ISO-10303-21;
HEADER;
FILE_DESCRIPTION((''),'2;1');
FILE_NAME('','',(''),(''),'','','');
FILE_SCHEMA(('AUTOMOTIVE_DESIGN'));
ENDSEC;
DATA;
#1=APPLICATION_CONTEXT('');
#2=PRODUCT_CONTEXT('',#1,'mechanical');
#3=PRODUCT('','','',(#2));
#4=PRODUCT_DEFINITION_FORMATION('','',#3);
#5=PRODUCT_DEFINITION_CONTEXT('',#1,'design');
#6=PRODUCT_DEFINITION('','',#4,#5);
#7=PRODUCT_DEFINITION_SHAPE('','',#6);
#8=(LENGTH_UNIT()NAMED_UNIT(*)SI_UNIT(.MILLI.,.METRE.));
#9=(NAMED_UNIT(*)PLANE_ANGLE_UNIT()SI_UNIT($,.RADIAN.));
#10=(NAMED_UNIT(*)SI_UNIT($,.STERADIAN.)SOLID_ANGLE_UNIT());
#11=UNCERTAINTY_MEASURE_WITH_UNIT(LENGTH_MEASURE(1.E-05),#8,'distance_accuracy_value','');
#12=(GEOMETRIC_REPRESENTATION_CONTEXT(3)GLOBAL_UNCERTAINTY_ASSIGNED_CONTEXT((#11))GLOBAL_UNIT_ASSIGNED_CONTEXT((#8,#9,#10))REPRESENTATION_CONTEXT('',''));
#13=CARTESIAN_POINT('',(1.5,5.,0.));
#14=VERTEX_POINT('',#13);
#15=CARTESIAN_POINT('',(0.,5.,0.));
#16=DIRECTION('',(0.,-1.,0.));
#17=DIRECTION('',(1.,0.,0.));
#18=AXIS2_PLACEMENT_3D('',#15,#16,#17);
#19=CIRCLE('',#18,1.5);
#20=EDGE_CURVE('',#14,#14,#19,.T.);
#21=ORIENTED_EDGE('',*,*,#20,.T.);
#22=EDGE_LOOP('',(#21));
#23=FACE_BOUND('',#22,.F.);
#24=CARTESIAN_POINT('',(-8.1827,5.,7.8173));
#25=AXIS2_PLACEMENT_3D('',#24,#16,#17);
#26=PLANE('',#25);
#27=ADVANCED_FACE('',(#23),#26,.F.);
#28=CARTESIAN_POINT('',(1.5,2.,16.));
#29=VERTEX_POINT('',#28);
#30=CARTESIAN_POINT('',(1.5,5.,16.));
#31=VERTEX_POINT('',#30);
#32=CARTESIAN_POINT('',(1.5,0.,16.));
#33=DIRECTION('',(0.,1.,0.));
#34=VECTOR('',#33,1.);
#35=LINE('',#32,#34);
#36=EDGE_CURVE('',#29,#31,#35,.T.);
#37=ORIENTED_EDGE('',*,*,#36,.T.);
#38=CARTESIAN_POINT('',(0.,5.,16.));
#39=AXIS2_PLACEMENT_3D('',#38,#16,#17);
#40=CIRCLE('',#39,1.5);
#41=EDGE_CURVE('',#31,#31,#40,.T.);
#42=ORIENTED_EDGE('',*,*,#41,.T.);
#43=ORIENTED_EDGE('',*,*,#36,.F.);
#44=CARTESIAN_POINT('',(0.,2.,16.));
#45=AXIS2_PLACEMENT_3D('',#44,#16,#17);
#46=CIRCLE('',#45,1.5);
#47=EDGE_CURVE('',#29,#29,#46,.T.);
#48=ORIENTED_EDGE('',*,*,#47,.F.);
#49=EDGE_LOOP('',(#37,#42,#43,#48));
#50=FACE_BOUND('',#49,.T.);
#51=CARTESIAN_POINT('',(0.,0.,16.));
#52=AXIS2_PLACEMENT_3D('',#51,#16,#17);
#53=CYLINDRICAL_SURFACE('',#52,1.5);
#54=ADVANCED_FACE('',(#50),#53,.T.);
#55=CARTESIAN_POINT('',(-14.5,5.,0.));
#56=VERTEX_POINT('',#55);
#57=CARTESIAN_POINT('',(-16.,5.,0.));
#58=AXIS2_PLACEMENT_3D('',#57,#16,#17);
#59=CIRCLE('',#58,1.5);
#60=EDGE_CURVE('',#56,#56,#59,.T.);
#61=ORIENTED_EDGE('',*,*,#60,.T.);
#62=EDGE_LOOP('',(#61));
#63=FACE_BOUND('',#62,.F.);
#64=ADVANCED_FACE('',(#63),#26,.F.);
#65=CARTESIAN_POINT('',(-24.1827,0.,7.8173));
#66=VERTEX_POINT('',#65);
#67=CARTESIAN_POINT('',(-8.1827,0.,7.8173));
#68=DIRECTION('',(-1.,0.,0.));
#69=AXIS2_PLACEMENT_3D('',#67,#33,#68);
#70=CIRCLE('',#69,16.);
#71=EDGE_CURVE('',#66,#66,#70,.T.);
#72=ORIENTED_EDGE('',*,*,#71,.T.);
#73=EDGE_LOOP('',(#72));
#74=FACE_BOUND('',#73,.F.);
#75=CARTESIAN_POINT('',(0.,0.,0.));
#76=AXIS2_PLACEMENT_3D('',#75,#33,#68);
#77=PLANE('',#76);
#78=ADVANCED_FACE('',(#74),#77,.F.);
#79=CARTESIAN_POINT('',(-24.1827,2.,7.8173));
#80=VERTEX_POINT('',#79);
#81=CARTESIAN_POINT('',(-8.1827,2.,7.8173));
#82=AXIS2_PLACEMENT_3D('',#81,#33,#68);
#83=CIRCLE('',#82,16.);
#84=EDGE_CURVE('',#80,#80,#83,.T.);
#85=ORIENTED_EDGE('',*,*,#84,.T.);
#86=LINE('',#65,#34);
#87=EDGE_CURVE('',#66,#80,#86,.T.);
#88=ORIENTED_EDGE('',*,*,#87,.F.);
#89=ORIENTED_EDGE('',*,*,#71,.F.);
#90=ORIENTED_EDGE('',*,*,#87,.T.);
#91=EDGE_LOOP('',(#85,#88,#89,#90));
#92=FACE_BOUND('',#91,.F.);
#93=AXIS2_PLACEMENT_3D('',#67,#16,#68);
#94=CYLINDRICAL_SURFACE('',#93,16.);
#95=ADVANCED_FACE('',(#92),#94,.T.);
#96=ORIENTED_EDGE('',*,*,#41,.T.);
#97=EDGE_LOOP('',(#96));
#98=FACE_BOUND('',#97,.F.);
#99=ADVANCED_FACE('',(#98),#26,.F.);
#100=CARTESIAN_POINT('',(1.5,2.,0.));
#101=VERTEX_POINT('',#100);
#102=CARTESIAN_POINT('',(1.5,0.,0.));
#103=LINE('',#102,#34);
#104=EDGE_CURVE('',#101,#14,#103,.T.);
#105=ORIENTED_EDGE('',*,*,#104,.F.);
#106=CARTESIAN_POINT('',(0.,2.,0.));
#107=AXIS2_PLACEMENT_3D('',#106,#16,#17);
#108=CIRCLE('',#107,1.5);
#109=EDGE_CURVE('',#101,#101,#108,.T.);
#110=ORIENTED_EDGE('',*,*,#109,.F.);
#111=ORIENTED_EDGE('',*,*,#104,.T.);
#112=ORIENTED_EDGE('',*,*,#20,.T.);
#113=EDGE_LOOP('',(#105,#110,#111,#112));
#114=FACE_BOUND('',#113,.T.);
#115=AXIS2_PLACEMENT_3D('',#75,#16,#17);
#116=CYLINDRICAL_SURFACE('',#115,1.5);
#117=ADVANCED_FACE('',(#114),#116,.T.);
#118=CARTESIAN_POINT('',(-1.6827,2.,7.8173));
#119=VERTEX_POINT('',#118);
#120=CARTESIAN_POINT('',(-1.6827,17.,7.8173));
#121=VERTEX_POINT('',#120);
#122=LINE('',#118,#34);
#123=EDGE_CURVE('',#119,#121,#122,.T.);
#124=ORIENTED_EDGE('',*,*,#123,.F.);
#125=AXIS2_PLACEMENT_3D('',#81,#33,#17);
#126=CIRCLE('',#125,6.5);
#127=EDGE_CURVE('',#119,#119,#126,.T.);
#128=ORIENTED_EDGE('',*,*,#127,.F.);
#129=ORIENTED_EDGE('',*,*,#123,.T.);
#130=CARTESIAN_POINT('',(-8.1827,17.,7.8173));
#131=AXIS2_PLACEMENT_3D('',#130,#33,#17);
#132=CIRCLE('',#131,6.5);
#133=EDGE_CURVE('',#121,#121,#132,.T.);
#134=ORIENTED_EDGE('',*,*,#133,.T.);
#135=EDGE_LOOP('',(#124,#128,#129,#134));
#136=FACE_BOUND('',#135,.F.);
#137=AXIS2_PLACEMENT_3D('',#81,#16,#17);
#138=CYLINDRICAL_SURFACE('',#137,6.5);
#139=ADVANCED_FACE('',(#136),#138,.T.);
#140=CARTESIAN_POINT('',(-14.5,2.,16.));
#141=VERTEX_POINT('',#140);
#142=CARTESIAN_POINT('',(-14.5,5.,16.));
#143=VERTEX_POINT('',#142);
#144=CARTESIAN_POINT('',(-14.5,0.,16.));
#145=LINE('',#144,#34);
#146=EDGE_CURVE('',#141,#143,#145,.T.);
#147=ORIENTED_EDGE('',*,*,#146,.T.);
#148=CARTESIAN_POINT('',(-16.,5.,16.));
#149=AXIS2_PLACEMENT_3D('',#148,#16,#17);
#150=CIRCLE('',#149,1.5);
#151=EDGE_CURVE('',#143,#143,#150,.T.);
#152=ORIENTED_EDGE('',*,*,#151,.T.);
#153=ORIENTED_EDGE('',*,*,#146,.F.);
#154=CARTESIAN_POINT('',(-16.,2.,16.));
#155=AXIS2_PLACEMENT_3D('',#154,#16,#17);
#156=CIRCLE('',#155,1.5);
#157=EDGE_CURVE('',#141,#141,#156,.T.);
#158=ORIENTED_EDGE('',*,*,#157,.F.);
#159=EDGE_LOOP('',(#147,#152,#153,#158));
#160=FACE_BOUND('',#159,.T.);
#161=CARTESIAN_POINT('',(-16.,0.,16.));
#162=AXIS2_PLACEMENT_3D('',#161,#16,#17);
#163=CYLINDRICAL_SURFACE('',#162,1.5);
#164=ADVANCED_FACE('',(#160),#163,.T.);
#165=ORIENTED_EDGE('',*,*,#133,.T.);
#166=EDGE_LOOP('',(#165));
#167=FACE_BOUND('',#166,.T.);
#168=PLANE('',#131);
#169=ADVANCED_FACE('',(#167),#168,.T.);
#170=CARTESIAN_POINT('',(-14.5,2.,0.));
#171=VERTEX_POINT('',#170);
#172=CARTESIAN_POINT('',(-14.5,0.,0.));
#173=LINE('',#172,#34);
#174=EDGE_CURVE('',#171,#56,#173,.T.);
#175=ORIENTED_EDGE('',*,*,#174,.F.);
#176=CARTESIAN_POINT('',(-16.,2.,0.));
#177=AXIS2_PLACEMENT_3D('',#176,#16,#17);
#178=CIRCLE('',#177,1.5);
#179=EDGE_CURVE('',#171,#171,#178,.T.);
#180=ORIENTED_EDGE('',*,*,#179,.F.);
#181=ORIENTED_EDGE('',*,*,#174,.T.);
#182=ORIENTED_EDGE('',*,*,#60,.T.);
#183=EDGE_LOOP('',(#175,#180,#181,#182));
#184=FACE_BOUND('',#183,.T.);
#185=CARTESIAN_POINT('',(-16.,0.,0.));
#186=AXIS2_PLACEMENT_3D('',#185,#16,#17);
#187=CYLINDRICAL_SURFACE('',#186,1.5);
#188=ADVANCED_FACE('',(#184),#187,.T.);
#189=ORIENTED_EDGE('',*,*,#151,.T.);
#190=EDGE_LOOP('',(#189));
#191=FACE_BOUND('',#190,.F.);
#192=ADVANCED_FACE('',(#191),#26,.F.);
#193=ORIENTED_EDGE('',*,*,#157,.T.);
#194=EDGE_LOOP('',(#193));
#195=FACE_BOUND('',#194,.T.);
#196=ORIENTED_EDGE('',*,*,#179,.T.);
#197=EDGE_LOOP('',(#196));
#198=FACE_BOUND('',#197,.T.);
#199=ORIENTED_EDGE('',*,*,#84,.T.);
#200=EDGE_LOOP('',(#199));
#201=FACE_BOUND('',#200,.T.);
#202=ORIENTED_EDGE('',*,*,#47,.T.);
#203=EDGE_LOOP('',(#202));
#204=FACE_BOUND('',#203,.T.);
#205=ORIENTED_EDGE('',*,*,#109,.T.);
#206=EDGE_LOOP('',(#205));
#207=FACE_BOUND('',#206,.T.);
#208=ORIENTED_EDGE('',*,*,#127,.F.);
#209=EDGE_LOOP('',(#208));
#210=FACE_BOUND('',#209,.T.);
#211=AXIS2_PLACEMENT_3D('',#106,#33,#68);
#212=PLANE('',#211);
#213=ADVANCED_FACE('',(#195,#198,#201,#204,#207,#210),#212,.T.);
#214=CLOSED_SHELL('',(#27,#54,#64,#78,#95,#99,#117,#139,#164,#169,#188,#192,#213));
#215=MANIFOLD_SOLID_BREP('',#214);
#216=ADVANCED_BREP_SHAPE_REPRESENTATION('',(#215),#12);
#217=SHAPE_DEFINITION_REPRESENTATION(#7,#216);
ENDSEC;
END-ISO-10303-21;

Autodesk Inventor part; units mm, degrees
ref_plane "YZ Plane" through (0, 0, 0) normal (1, 0, 0) x (0, 1, 0)
ref_plane "XZ Plane" through (0, 0, 0) normal (0, 1, 0) x (-1, 0, 0)
ref_plane "XY Plane" through (0, 0, 0) normal (0, 0, 1) x (1, 0, 0)
sketch "Boceto1" plane through (0, 0, 0) normal (0, 1, 0) x (-1, 0, 0)
  line L0 (0, 0) -> (0, 16)
  line L1 (0, 16) -> (16, 16)
  line L2 (16, 16) -> (16, 0)
  line L3 (16, 0) -> (0, 0)
  line L4 (0, 16) -> (16, 0)
  circle A0 centre (8, 8) radius 11.3137
  circle A1 centre (16, 16) radius 1.5
  circle A2 centre (0, 16) radius 1.5
  circle A3 centre (0, 0) radius 1.5
  circle A4 centre (16, 0) radius 1.5
  circle A5 centre (8.1827, 7.8173) radius 16
  dimension "d0" = 16
  dimension "d1" = 16
  dimension "d2" = 3
  dimension "d5" = 360
  dimension "d7" = 32
extrude "Extrusión1" add sketch "Boceto1" along normal blind 2 contours A3 A0 A2 L0 | L0 A2 L4 A4 L3 A3 | L3 A4 A0 A3 | A2 L1 A1 L2 A4 L4 | A0 A1 L1 A2 | L2 A1 A0 A4 | A5
sketch "Boceto2" plane through (-8.1827, 2, 7.8173) normal (0, 1, 0) x (1, 0, 0)
  point P0 (8.1827, 7.8173)
sketch "Boceto3" plane through (-8.1827, 2, 7.8173) normal (0, 1, 0) x (1, 0, 0)
  circle A0 centre (0, 0) radius 6.5
  point P0 (8.1827, 7.8173)
  dimension "d10" = 13
extrude "Extrusión2" add sketch "Boceto3" along normal blind 15
sketch "Boceto4" plane through (-8.1827, 0, 7.8173) normal (0, -1, 0) x (1, 0, 0)
  circle A0 centre (8.1827, 8.1827) radius 1.5 projected
  circle A1 centre (8.1827, 8.1827) radius 1.5
  circle A2 centre (8.1827, -7.8173) radius 1.5 projected
  circle A3 centre (8.1827, -7.8173) radius 1.5
  circle A4 centre (-7.8173, -7.8173) radius 1.5 projected
  circle A5 centre (-7.8173, -7.8173) radius 1.5
  circle A6 centre (-7.8173, 8.1827) radius 1.5 projected
  circle A7 centre (-7.8173, 8.1827) radius 1.5
  point P0 (8.1827, -7.8173)
extrude "Extrusión3" add sketch "Boceto4" against normal blind 5
properties part number "brazo_2_contra"
